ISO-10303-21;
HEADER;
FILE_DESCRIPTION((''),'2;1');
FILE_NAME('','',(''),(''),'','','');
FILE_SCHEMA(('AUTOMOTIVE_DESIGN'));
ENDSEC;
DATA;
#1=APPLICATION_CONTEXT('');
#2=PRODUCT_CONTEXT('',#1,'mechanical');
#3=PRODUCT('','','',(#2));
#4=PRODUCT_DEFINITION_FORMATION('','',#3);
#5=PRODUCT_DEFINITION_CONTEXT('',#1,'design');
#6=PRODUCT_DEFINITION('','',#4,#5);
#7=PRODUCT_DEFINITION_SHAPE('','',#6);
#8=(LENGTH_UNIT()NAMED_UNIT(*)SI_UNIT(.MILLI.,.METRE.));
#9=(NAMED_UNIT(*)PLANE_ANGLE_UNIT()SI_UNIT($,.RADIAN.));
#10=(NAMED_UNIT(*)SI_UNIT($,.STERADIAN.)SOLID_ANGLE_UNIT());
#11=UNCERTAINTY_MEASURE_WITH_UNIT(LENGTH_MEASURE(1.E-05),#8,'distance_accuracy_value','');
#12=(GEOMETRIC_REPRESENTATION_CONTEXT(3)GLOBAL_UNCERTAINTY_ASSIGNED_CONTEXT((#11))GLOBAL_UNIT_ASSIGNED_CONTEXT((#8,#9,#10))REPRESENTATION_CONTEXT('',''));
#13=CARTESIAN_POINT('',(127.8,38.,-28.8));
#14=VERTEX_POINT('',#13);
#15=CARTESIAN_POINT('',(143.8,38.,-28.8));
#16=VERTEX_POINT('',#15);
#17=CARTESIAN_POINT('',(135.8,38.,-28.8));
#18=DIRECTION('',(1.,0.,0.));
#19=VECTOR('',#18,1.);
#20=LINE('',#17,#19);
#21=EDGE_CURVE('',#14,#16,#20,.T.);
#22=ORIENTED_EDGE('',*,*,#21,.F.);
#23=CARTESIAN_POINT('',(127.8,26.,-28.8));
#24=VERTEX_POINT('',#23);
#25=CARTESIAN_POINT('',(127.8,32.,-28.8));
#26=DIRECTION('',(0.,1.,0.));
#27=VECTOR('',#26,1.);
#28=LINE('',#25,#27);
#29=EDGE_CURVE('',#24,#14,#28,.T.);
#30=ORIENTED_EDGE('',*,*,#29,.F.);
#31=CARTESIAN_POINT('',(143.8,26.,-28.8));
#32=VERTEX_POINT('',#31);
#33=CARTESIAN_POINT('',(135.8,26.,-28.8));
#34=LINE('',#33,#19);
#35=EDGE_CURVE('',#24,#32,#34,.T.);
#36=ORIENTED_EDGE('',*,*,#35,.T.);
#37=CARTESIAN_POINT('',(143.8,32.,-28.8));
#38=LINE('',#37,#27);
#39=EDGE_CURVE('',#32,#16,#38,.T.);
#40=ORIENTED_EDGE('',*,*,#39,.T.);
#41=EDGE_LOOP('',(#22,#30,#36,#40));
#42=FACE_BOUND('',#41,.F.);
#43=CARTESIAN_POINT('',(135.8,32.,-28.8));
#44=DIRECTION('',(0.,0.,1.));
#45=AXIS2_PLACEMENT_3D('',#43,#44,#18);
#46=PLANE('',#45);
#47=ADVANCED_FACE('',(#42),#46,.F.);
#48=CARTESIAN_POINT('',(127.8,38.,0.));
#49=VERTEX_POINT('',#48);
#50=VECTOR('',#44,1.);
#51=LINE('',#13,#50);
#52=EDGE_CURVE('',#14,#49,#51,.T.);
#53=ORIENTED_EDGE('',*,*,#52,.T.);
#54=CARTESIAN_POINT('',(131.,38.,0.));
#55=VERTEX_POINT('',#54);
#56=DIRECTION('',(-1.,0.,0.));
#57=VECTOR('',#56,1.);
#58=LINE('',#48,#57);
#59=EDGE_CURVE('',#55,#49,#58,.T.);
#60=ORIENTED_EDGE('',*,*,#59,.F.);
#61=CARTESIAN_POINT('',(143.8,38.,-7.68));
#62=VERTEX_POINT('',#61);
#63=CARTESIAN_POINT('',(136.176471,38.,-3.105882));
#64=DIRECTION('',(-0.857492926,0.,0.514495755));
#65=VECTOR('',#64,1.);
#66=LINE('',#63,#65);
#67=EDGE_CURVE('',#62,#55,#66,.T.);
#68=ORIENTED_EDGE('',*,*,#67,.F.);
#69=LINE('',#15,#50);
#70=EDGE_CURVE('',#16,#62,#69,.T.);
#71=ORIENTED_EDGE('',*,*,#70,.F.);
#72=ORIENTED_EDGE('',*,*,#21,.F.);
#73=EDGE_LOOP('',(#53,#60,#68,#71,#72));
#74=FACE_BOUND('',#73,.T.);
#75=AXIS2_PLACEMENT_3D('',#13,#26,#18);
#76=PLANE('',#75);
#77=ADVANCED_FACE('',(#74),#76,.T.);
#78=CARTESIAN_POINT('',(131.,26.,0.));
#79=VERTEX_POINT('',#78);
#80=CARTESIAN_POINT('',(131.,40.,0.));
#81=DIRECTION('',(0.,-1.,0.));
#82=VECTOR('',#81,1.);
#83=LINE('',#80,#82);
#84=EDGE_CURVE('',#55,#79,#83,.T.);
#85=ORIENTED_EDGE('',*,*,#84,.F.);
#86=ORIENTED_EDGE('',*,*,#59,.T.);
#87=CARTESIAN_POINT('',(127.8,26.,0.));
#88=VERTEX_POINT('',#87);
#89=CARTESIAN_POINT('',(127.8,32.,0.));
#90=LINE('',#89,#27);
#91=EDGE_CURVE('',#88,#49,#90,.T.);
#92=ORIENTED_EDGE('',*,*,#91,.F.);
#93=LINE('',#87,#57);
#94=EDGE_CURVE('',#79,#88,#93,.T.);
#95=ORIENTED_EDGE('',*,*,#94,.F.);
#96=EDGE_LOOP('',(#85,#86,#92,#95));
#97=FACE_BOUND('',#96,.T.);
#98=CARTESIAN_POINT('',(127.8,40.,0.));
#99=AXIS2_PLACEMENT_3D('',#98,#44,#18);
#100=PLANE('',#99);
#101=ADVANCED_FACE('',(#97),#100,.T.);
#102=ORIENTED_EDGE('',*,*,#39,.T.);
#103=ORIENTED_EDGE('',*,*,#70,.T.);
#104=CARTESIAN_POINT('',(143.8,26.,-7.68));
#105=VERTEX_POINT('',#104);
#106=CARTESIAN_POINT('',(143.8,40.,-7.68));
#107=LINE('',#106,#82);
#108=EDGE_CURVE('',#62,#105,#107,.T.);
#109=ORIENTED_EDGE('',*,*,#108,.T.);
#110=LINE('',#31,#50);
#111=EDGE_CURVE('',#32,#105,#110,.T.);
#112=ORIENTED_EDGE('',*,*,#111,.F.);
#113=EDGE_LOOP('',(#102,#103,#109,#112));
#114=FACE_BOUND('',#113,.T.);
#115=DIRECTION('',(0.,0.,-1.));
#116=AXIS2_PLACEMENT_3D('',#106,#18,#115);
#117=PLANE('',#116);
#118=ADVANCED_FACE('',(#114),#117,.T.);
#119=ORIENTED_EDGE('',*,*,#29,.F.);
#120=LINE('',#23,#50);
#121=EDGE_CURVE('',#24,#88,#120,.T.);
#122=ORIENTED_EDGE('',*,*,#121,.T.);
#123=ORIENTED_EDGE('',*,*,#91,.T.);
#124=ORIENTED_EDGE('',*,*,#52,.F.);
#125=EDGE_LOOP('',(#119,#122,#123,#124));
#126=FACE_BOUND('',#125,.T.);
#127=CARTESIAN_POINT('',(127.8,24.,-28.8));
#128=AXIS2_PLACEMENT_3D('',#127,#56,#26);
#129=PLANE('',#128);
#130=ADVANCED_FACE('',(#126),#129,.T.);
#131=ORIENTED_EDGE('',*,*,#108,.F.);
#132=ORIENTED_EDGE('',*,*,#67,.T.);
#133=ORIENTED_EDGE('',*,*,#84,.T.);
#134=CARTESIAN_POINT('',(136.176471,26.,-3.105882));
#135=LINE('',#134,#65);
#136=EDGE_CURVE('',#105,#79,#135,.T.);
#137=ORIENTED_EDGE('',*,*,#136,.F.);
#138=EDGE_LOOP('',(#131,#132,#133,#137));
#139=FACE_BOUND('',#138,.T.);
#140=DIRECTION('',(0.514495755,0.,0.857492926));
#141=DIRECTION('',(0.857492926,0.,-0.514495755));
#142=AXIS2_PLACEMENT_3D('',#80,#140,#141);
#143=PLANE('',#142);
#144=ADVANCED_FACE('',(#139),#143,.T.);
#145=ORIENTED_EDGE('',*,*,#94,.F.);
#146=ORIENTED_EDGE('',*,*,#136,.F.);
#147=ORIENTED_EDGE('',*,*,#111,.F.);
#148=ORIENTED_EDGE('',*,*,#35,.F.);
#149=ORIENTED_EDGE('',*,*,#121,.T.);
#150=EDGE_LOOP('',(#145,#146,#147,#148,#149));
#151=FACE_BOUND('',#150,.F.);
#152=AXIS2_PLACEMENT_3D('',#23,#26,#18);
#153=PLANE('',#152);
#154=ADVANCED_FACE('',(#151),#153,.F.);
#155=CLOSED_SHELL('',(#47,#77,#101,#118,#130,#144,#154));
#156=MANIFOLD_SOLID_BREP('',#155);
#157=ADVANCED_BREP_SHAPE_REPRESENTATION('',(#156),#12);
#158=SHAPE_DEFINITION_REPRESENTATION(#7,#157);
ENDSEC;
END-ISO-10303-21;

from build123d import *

# Parameters (mm, degrees)
SKETCH012_W     = 16
SKETCH012_H     = 16
PAD008_DEPTH    = 28.8
POCKET004_DEPTH = 16
PAD131_DEPTH    = 16
SKETCH188_W     = 16
SKETCH188_H     = 2
POCKET070_DEPTH = 30


with BuildPart() as part:
    # Sketch012 (on Face88 of Binder004) → Pad008 (new body)
    with BuildSketch(Plane.XY.offset(-28.8)):
        with Locations((135.8, 32)):
            Rectangle(SKETCH012_W, SKETCH012_H)
    extrude(amount=PAD008_DEPTH)

    # Sketch013 (on Face2 of Pad008) → Pocket004 (cut)
    with BuildSketch(Plane.XZ.offset(-24)):
        Polygon((143.8, -9.6), (127.8, 0), (143.8, 0), align=None)
    extrude(amount=-POCKET004_DEPTH, mode=Mode.SUBTRACT)

    # Sketch131 (on Face2 of Pocket004) → Pad131 (join)
    with BuildSketch(Plane(origin=(0, 40, 0), x_dir=(-1, 0, 0), z_dir=(0, 1, 0))):
        Polygon((-127.8, 0), (-131, 0), (-143.8, -7.68), (-143.8, -10.88), (-131, -3.2), (-127.8, -3.2), align=None)
    extrude(amount=-PAD131_DEPTH)

    # Sketch188 (on Face1 of Pad131) → Pocket070 (cut)
    with BuildSketch(Plane(origin=(0, 0, -28.8), x_dir=(1, 0, 0), z_dir=(0, 0, -1))):
        with Locations((135.8, -25)):
            Rectangle(SKETCH188_W, SKETCH188_H)
        with Locations((135.8, -39)):
            Rectangle(SKETCH188_W, SKETCH188_H)
    extrude(amount=-POCKET070_DEPTH, mode=Mode.SUBTRACT)


solid = part.part
